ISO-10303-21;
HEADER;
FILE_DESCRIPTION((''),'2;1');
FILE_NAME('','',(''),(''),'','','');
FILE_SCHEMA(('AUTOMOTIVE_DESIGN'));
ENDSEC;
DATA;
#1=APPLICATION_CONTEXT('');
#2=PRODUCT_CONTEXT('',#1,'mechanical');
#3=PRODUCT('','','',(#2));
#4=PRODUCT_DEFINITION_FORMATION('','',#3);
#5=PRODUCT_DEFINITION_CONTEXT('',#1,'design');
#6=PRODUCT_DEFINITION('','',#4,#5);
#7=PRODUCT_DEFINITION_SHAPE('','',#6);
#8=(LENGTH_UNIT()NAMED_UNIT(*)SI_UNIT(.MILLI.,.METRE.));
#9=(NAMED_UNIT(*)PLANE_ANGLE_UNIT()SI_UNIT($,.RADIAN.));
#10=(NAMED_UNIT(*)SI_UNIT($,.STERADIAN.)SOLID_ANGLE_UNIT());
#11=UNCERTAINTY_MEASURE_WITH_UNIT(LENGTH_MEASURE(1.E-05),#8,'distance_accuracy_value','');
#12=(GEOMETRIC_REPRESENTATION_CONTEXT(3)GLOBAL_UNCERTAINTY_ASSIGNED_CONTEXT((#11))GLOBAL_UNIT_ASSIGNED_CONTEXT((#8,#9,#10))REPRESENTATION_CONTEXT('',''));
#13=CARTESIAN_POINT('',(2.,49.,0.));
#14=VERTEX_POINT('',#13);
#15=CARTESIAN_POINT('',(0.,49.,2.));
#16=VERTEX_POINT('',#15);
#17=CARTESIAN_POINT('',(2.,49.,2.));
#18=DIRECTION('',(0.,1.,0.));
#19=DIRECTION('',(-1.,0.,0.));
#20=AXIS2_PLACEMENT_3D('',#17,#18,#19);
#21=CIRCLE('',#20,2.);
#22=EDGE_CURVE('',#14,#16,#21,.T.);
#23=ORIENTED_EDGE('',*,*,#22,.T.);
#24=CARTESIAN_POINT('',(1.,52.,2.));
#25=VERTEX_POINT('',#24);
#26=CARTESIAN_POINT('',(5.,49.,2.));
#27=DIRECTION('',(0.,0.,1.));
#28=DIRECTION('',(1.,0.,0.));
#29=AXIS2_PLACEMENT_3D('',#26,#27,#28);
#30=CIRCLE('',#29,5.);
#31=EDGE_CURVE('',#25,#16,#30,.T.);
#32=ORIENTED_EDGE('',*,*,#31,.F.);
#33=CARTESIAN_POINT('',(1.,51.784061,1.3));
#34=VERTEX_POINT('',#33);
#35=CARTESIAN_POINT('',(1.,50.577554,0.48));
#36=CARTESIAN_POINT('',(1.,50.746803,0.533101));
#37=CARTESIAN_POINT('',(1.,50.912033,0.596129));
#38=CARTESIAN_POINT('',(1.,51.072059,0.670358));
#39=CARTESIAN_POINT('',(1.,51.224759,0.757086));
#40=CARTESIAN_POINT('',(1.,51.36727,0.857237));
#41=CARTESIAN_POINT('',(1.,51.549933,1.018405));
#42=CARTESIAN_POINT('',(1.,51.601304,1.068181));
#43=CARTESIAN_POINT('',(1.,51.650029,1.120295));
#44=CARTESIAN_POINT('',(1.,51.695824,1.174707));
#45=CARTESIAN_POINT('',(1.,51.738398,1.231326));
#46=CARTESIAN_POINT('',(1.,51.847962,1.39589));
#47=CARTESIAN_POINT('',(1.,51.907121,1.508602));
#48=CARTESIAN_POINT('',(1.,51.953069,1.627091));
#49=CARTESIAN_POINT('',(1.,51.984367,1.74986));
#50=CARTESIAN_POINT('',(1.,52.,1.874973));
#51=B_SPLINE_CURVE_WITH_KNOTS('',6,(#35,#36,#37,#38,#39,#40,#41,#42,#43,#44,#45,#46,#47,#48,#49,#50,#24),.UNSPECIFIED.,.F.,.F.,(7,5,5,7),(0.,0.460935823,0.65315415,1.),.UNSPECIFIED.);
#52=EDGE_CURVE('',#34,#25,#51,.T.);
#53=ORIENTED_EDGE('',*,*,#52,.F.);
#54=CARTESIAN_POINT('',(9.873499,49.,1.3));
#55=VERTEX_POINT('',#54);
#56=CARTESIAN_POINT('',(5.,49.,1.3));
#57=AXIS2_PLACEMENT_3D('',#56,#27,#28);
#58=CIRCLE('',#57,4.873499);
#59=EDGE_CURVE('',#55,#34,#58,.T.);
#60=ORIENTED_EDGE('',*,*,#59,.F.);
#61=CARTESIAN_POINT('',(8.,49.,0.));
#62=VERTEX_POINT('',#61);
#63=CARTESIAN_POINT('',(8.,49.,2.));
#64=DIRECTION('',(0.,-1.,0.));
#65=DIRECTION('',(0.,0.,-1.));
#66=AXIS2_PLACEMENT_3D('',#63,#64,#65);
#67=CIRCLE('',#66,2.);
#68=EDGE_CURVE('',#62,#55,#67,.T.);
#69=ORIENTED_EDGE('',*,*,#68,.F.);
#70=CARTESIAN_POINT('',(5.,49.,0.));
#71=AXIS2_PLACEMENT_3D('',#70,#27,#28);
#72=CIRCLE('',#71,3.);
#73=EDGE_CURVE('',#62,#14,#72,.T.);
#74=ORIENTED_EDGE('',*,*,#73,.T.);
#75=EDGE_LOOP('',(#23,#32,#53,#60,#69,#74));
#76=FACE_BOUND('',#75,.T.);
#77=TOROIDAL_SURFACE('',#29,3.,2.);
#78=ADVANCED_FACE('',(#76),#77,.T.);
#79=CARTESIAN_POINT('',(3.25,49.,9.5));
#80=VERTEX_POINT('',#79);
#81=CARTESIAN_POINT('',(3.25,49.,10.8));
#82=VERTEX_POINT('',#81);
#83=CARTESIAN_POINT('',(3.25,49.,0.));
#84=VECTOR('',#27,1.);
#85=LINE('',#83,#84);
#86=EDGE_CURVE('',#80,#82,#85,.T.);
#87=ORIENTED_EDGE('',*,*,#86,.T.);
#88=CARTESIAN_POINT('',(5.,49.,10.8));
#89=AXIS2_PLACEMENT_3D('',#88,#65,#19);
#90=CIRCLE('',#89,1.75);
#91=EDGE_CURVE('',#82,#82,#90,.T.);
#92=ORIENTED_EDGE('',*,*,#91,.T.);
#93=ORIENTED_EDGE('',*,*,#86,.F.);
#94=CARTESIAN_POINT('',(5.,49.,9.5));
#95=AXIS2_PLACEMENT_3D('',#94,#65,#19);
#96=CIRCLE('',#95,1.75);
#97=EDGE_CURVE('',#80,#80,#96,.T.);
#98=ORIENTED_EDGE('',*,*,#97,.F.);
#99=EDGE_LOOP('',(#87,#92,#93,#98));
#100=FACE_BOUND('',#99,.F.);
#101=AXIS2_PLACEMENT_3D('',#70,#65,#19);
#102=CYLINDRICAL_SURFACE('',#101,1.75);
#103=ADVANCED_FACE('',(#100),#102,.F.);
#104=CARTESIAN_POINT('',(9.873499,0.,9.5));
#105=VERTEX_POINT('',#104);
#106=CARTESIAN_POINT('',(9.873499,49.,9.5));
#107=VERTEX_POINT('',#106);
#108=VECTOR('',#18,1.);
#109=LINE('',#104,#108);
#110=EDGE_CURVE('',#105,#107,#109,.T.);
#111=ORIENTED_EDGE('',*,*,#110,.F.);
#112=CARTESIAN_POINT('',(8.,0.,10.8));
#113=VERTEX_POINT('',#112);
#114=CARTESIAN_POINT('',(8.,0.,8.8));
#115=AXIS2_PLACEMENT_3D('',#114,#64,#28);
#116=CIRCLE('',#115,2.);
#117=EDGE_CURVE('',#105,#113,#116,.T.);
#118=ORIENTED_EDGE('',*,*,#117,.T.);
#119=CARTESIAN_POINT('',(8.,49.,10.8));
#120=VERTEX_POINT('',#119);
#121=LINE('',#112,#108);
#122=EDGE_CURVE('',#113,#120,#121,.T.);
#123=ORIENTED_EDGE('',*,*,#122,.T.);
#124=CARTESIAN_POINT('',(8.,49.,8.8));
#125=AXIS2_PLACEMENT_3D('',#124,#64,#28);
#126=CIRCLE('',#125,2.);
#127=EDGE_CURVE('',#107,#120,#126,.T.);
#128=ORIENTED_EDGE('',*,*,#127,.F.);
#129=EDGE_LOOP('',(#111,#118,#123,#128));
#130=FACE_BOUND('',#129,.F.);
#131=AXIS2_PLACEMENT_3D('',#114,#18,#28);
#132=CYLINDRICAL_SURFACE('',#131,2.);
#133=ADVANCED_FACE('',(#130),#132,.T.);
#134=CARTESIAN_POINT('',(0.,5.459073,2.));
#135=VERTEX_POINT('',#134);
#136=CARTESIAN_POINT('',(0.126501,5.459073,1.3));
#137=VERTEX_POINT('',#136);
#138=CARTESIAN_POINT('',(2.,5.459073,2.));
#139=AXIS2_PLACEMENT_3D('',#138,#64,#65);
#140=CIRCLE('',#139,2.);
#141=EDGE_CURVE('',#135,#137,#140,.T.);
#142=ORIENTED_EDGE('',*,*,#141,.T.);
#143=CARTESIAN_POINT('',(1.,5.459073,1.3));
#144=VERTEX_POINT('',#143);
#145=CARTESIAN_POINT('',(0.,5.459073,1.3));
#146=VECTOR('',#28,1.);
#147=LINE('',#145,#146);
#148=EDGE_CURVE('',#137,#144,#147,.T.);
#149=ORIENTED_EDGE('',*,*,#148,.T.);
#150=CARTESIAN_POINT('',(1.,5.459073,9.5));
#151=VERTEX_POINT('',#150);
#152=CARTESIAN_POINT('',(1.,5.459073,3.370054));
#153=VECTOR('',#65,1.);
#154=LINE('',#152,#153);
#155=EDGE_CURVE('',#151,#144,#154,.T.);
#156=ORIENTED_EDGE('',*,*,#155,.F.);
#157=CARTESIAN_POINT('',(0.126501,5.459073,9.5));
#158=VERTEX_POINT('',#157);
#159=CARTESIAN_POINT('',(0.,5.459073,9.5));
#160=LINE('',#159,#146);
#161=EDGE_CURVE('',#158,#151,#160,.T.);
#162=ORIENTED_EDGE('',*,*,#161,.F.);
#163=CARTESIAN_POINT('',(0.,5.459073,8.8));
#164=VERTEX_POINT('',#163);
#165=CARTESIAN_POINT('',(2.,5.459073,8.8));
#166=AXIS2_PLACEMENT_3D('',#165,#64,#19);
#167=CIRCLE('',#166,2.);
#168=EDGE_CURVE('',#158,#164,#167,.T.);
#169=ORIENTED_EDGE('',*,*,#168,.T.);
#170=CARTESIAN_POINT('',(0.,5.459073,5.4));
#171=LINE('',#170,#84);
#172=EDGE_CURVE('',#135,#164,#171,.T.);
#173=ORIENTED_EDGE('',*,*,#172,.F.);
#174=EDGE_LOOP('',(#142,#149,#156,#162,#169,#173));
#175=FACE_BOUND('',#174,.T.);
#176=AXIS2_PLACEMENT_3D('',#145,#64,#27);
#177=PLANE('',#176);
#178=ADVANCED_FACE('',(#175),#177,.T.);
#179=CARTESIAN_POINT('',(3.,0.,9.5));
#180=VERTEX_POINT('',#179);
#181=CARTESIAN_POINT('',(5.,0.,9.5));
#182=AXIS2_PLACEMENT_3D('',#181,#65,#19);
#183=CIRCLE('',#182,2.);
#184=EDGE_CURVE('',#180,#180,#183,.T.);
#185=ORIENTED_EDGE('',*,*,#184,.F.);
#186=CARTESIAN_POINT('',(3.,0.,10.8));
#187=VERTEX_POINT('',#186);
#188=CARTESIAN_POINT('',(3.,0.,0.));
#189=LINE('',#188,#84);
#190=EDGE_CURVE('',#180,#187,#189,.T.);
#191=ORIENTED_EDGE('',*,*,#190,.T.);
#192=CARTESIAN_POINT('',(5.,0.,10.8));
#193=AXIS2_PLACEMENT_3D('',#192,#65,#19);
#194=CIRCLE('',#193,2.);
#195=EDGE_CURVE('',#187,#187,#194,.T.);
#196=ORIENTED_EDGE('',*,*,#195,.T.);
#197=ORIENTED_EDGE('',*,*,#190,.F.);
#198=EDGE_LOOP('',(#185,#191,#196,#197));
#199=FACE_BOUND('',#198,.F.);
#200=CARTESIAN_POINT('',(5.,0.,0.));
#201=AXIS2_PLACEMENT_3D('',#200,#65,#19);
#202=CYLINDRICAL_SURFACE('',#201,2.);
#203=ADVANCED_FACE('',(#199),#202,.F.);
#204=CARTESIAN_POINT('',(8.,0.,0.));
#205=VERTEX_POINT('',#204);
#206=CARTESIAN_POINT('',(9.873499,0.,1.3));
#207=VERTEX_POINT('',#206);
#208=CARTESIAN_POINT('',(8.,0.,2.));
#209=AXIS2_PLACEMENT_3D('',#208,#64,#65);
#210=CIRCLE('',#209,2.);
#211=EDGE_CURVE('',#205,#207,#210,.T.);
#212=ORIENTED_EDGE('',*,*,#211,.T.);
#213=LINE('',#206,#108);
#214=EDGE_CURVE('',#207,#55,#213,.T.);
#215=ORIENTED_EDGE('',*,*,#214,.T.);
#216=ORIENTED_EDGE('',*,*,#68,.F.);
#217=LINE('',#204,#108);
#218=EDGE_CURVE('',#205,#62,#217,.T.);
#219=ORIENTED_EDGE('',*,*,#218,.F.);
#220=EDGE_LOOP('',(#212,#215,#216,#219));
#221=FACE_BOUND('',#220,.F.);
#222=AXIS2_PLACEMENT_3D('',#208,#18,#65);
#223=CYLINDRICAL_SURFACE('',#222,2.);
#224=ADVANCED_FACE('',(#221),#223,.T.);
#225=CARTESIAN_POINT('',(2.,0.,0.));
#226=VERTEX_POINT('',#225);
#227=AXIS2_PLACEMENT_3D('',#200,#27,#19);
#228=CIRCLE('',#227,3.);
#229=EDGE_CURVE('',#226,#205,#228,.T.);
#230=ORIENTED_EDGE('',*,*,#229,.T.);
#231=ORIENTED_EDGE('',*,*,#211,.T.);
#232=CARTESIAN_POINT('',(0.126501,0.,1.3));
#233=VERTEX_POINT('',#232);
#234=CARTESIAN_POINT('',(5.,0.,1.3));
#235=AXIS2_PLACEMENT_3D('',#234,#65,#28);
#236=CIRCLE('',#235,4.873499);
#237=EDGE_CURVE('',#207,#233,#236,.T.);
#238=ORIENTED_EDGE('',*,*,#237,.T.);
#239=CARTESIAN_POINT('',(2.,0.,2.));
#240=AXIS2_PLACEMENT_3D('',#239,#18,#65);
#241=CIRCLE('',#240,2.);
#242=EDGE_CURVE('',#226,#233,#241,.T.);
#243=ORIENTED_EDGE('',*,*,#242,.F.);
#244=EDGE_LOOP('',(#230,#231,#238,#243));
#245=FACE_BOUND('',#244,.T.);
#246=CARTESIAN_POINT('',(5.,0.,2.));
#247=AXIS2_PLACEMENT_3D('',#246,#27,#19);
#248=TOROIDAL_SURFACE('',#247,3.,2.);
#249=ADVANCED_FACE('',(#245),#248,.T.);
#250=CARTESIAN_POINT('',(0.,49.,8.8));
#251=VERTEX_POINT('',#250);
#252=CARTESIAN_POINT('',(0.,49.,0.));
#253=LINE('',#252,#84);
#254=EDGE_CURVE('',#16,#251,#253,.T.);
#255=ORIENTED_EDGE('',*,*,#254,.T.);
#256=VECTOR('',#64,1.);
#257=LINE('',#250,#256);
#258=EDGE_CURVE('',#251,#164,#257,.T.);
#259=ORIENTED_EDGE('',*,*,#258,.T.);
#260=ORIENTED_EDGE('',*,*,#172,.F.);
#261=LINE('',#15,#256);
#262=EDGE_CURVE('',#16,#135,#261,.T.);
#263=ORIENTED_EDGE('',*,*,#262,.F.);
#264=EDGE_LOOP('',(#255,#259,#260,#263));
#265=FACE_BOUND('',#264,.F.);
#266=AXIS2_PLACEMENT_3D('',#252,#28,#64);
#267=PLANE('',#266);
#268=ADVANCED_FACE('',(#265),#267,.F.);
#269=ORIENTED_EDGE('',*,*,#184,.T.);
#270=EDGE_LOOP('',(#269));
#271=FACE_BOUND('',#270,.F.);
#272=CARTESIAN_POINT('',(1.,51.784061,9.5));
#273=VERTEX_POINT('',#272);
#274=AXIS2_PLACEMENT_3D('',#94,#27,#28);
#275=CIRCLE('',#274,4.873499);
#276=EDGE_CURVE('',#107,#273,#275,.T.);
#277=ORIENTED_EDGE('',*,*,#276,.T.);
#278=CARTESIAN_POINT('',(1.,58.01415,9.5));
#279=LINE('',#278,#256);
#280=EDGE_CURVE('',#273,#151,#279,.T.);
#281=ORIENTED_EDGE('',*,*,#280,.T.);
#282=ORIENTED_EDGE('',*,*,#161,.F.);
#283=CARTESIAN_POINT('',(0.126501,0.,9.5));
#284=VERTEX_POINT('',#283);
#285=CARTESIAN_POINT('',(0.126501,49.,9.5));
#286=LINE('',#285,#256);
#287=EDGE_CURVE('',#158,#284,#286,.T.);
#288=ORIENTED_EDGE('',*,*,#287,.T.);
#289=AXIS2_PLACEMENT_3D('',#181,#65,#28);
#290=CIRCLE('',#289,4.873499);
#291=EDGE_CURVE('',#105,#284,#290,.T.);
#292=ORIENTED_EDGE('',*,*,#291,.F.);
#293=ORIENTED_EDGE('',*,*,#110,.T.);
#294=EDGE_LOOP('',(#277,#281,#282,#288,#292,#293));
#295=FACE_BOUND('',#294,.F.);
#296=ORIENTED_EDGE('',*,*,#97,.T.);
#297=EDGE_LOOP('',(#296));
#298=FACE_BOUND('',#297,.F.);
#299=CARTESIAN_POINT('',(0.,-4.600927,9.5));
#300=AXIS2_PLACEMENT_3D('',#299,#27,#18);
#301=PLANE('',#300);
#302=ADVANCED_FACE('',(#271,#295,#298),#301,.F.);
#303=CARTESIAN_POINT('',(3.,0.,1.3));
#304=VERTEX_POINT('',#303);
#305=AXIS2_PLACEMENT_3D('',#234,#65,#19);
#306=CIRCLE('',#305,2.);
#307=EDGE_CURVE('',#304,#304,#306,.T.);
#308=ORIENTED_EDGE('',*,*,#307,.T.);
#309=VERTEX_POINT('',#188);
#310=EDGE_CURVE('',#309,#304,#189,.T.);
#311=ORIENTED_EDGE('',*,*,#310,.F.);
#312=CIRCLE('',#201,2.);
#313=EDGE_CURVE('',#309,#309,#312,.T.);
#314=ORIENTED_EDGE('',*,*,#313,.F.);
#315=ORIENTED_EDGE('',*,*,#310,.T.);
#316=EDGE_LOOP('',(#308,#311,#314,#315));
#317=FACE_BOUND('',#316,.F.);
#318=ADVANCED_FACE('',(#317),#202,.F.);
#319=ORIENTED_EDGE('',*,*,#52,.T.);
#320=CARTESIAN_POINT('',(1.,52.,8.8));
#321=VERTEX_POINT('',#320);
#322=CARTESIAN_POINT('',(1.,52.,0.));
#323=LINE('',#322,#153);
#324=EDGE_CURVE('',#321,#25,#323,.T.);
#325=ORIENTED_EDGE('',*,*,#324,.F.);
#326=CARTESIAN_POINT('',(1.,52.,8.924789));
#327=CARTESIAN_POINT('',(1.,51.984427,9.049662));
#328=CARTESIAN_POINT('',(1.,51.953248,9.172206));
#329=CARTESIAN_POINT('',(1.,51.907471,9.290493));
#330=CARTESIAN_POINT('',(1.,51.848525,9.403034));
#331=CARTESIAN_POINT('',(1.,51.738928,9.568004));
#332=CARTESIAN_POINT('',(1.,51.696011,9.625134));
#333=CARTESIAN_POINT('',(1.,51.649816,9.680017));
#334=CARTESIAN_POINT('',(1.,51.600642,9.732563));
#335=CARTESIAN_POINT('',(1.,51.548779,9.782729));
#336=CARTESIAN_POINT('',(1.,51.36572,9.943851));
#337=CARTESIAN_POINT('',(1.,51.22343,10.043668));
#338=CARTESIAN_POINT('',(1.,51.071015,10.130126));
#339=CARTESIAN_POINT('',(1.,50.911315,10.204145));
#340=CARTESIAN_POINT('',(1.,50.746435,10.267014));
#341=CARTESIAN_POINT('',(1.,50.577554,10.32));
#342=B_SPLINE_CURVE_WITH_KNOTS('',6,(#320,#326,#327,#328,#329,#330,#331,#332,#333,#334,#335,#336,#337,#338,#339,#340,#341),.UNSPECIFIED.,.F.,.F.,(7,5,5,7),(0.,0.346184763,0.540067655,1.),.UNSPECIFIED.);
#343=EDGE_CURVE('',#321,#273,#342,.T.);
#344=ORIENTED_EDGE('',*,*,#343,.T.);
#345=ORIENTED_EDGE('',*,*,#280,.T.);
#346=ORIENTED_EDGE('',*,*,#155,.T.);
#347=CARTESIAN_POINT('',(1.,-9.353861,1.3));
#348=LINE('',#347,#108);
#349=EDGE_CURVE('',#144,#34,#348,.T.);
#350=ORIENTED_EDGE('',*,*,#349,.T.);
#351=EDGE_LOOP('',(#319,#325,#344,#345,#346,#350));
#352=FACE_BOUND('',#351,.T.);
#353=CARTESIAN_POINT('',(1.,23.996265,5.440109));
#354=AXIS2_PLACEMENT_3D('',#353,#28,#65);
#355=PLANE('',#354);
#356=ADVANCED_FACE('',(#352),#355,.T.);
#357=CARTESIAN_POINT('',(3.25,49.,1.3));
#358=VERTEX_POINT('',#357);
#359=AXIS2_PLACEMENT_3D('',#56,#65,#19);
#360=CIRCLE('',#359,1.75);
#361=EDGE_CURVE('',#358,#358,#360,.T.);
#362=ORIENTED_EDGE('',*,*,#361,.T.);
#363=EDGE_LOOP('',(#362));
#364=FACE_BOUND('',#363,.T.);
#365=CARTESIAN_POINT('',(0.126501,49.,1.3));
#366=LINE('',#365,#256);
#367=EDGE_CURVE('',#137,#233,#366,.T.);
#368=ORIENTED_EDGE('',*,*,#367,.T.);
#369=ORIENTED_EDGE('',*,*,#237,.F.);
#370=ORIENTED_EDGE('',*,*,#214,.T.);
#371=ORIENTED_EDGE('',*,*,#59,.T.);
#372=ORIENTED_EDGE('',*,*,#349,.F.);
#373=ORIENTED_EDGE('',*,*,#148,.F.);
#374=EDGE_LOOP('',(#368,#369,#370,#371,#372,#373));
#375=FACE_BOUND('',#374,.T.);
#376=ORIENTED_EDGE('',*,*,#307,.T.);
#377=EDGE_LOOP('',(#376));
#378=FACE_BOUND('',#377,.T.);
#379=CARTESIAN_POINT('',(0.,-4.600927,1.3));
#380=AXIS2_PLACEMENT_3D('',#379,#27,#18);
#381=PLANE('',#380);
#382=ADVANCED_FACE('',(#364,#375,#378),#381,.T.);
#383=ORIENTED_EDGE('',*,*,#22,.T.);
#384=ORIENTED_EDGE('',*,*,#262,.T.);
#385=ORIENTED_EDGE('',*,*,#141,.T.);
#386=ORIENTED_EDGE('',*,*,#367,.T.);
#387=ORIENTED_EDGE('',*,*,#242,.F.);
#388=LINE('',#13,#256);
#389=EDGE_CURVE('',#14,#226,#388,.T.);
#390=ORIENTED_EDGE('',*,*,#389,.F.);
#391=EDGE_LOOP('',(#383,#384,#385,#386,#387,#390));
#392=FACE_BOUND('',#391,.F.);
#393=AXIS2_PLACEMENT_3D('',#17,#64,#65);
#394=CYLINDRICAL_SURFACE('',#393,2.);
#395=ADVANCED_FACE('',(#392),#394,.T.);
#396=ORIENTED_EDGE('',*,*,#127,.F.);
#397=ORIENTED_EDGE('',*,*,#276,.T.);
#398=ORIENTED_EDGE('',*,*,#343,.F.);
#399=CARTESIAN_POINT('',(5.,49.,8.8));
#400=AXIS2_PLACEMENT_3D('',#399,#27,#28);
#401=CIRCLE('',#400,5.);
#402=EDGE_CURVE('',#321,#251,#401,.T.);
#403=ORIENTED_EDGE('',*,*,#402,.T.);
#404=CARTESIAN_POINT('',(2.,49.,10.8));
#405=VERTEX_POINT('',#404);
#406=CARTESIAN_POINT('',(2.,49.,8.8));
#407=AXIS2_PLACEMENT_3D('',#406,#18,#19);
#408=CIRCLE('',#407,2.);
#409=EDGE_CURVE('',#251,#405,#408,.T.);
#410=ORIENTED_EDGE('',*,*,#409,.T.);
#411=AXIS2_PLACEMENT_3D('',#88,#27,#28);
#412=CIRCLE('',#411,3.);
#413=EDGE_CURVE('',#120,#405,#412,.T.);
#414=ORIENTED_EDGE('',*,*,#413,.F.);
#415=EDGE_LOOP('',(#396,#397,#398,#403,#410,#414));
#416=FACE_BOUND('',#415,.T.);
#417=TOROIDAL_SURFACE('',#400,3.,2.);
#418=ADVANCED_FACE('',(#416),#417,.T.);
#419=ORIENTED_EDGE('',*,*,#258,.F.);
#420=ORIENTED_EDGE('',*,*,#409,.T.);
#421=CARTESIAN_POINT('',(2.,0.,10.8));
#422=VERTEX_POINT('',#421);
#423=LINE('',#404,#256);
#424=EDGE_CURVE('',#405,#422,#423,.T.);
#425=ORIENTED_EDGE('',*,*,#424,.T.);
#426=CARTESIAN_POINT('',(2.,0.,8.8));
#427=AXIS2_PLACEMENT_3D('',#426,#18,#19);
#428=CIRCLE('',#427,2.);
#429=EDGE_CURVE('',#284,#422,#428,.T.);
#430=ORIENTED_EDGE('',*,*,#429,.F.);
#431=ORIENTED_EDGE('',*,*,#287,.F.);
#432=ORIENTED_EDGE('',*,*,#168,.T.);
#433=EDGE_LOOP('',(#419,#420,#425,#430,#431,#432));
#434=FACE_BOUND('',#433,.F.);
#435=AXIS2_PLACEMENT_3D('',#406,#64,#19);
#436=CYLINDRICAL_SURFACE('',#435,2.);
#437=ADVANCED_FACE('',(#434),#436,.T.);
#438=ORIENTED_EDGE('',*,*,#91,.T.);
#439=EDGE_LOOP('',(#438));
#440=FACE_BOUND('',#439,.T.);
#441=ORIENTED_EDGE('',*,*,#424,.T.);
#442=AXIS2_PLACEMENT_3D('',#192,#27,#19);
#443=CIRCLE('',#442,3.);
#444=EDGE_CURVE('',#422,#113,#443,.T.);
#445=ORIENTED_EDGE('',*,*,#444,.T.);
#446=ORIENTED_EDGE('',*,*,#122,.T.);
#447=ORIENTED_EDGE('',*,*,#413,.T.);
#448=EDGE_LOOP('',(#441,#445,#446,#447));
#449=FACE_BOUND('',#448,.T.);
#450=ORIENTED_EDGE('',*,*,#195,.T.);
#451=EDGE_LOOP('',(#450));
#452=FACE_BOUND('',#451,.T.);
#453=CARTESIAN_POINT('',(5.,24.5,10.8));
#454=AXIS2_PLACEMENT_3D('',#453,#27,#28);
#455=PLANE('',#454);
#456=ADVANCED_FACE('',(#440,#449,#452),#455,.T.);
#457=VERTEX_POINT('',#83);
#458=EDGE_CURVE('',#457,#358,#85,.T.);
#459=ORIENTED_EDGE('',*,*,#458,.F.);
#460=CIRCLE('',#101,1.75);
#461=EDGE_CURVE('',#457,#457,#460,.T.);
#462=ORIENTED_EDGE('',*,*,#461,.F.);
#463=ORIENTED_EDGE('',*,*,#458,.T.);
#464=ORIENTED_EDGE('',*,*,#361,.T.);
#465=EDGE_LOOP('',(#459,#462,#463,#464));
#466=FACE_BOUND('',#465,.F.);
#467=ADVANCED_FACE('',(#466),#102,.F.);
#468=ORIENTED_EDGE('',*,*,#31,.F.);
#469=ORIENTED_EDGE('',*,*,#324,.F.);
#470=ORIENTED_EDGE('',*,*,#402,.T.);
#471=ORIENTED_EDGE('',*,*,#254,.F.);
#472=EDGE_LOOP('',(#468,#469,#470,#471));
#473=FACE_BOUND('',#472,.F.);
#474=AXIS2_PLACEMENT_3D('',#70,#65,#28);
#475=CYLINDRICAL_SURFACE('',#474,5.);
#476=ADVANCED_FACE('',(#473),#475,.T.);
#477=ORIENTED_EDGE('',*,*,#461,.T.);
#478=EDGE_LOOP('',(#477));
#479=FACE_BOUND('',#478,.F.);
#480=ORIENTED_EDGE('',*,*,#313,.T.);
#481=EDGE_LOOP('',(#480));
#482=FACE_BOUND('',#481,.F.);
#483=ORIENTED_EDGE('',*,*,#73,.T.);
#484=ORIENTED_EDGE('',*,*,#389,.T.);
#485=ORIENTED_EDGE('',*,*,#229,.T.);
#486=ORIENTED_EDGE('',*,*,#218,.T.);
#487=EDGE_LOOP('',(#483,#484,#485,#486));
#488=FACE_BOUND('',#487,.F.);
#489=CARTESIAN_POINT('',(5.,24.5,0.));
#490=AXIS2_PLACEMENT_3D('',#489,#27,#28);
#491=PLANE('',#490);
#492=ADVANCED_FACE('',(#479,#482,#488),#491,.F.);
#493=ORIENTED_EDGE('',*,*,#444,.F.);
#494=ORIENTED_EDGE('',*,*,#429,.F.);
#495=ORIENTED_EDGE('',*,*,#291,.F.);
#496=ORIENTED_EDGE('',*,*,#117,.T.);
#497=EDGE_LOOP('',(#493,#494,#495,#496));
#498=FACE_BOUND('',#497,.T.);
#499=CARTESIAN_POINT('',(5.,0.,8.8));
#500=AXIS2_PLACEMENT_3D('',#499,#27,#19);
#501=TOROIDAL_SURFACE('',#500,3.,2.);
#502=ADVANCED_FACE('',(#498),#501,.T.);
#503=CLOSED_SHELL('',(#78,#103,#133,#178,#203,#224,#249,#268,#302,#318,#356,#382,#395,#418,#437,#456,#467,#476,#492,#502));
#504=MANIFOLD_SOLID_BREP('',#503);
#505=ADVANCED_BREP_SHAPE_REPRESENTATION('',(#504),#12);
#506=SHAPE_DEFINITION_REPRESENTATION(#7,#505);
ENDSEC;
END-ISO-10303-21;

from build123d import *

# Parameters (mm, degrees)
BASE_EXTRUSION_DEPTH    = 10.8
CONG_1_R                = 2
CONG_3_R                = 2
ENL_V_MAT_EXTRU_4_DEPTH = 9
ESQUISSE7_W             = 8.2
ESQUISSE7_H             = 10.06
ENL_V_MAT_EXTRU_5_DEPTH = 9
ESQUISSE8_R             = 2
ESQUISSE8_R_2           = 1.75
ENL_V_MAT_EXTRU_6_DEPTH = 56.825441717


with BuildPart() as part:
    # Esquisse1 → Base-Extrusion (new body)
    with BuildSketch(Plane.XY):
        with BuildLine():
            Line((0, 49), (0, 0))
            ThreePointArc((0, 0), (5, -5), (10, 0))
            Line((10, 0), (10, 49))
            ThreePointArc((10, 49), (5, 54), (0, 49))
        make_face()
    extrude(amount=BASE_EXTRUSION_DEPTH)

    # Congé1
    cong_1_edges = [part.edges().sort_by_distance(p)[0] for p in [
        (5, -5, 10.8),
        (10, 24.5, 10.8),
        (5, 54, 10.8),
        (0, 24.5, 10.8),
    ]]
    fillet(cong_1_edges, radius=CONG_1_R)

    # Congé3
    cong_3_edges = [part.edges().sort_by_distance(p)[0] for p in [
        (10, 24.5, 0),
        (5, -5, 0),
        (0, 24.5, 0),
        (5, 54, 0),
    ]]
    fillet(cong_3_edges, radius=CONG_3_R)

    # Esquisse6 → Enlèv. mat.-Extru.4 (cut)
    with BuildSketch(Plane(origin=(10, 0, 0), x_dir=(0, 0, -1), z_dir=(1, 0, 0))):
        Polygon((-9.5, 58.014149953), (-9.5, -9.353860788), (-1.3, -9.353860788), (-1.3, 56.548715687), align=None)
    extrude(amount=-ENL_V_MAT_EXTRU_4_DEPTH, mode=Mode.SUBTRACT)

    # Esquisse7 → Enlèv. mat.-Extru.5 (cut)
    with BuildSketch(Plane.ZY):
        with Locations((5.4, 0.429072807)):
            Rectangle(ESQUISSE7_W, ESQUISSE7_H)
    extrude(amount=-ENL_V_MAT_EXTRU_5_DEPTH, mode=Mode.SUBTRACT)

    # Esquisse8 → Enlèv. mat.-Extru.6 (cut, through all)
    with BuildSketch(Plane(origin=(0, 0, 0), x_dir=(-1, 0, 0), z_dir=(0, 0, -1))):
        with Locations((-5, 0)):
            Circle(ESQUISSE8_R)
        with Locations((-5, 49)):
            Circle(ESQUISSE8_R_2)
    extrude(amount=-ENL_V_MAT_EXTRU_6_DEPTH, mode=Mode.SUBTRACT)


solid = part.part
